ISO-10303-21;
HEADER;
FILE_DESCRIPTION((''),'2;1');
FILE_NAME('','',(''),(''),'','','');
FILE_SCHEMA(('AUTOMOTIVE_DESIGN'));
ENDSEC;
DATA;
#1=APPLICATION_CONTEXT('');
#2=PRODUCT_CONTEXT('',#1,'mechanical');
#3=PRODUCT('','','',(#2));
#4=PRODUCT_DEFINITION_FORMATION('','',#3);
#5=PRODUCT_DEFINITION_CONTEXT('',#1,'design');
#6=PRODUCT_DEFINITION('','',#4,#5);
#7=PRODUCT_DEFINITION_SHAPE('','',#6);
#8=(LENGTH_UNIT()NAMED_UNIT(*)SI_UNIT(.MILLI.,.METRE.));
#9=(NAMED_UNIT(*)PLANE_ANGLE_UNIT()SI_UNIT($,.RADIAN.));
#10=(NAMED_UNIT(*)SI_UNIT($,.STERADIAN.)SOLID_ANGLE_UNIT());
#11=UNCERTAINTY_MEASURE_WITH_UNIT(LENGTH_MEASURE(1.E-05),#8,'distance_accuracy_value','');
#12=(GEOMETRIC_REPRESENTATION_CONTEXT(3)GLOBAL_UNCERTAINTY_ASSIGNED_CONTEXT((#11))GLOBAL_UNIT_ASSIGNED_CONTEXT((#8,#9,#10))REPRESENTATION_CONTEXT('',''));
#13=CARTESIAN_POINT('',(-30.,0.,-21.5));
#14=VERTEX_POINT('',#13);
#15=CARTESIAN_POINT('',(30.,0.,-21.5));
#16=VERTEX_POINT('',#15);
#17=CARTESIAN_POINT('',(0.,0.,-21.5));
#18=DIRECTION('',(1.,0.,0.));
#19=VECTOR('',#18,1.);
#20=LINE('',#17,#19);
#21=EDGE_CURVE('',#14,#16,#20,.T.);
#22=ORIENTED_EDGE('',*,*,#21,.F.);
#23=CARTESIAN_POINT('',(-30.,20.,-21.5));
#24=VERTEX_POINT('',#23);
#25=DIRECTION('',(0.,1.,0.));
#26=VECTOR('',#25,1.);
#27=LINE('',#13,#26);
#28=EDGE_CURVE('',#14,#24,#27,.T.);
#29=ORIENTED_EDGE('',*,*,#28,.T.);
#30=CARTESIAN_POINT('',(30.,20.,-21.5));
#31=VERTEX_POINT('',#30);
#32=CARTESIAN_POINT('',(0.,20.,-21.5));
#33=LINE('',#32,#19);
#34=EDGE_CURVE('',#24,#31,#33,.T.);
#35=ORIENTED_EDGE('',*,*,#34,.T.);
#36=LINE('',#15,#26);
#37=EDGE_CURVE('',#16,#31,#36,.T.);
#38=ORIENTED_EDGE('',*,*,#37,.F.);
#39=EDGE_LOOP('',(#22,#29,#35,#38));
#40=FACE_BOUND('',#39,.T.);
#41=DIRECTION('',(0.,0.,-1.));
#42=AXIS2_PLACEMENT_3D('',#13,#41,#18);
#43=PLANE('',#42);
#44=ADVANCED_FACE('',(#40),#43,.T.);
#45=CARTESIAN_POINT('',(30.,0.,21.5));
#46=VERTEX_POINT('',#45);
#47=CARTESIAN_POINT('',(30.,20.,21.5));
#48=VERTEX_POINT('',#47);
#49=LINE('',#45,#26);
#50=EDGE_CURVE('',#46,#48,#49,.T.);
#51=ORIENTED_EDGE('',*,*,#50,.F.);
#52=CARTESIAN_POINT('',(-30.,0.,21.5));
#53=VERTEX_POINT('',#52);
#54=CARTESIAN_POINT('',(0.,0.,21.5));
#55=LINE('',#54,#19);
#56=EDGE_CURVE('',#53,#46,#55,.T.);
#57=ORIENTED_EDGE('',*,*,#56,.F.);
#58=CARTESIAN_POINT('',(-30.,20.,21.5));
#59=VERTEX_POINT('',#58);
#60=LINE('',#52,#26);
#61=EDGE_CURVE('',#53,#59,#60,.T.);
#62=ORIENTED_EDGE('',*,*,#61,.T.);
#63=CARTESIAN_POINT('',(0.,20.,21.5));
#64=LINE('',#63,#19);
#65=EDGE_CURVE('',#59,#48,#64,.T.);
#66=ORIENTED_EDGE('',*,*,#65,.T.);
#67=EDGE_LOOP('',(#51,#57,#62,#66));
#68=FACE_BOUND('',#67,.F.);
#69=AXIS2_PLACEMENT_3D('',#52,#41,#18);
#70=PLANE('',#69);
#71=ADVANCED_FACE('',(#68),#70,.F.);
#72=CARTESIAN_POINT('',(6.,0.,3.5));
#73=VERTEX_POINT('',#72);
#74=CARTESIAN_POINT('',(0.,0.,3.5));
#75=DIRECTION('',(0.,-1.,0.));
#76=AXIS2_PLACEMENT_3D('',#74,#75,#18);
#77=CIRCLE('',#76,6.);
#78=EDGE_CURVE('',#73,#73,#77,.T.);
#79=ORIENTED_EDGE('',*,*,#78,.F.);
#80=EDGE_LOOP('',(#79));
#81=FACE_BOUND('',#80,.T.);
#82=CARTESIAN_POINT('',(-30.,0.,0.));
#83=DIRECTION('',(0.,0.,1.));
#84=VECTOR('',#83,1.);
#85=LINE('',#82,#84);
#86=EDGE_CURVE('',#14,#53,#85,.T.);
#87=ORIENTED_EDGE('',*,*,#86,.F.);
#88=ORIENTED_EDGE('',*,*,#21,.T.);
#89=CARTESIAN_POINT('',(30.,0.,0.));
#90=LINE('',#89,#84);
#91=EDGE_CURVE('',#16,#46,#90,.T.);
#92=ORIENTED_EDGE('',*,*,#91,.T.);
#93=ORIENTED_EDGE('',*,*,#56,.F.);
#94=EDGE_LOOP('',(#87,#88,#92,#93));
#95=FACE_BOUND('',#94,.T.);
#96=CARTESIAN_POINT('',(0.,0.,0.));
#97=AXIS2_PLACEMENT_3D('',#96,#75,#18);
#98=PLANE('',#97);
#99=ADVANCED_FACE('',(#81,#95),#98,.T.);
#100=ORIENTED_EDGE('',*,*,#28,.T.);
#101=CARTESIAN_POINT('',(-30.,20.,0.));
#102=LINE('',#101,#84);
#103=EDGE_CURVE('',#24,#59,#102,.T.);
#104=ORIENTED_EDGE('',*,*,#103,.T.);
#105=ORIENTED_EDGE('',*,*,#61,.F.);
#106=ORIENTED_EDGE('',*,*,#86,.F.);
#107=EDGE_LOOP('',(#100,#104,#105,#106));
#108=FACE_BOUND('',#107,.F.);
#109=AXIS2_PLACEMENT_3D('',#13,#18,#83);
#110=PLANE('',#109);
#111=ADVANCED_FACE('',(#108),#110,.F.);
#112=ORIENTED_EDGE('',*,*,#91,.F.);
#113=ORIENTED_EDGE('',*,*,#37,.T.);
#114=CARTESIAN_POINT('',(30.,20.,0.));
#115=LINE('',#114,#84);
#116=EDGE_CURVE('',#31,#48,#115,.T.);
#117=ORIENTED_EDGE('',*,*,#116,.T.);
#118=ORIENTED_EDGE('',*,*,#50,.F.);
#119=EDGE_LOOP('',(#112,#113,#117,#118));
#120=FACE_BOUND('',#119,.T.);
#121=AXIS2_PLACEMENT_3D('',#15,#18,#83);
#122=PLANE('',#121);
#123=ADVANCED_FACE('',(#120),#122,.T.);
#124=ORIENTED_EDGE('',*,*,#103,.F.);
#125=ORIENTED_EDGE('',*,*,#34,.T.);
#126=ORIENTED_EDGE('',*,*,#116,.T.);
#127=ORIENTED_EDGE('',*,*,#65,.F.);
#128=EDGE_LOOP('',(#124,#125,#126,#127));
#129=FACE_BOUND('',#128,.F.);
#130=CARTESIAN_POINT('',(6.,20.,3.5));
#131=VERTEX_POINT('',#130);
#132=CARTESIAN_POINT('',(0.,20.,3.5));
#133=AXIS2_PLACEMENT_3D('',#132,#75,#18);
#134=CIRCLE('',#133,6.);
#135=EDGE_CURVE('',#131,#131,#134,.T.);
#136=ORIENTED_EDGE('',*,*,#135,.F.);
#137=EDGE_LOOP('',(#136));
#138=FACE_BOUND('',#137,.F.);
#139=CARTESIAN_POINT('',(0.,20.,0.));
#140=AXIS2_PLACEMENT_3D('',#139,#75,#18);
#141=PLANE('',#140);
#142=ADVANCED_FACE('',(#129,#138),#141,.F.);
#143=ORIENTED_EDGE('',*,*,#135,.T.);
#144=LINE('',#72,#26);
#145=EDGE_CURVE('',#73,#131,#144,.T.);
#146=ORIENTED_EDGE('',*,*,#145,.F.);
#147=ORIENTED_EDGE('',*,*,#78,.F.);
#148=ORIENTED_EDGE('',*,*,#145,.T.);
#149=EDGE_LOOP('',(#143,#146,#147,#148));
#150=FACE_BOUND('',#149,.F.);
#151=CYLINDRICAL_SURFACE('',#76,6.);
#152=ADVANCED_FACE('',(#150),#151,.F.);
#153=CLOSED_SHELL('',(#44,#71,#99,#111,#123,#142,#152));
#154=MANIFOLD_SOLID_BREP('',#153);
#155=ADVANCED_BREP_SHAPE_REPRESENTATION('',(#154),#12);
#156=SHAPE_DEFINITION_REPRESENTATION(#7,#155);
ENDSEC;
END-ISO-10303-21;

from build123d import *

# Parameters (mm, degrees)
F0_W     = 60
F0_H     = 43
F0_R     = 6
F1_DEPTH = 20


with BuildPart() as f1:
    # F0 (on Front) → F1 (new body)
    with BuildSketch(Plane.XZ):
        Rectangle(F0_W, F0_H)
        with Locations((0, 3.5)):
            Circle(F0_R, mode=Mode.SUBTRACT)
    extrude(amount=-F1_DEPTH)


solid = f1.part
